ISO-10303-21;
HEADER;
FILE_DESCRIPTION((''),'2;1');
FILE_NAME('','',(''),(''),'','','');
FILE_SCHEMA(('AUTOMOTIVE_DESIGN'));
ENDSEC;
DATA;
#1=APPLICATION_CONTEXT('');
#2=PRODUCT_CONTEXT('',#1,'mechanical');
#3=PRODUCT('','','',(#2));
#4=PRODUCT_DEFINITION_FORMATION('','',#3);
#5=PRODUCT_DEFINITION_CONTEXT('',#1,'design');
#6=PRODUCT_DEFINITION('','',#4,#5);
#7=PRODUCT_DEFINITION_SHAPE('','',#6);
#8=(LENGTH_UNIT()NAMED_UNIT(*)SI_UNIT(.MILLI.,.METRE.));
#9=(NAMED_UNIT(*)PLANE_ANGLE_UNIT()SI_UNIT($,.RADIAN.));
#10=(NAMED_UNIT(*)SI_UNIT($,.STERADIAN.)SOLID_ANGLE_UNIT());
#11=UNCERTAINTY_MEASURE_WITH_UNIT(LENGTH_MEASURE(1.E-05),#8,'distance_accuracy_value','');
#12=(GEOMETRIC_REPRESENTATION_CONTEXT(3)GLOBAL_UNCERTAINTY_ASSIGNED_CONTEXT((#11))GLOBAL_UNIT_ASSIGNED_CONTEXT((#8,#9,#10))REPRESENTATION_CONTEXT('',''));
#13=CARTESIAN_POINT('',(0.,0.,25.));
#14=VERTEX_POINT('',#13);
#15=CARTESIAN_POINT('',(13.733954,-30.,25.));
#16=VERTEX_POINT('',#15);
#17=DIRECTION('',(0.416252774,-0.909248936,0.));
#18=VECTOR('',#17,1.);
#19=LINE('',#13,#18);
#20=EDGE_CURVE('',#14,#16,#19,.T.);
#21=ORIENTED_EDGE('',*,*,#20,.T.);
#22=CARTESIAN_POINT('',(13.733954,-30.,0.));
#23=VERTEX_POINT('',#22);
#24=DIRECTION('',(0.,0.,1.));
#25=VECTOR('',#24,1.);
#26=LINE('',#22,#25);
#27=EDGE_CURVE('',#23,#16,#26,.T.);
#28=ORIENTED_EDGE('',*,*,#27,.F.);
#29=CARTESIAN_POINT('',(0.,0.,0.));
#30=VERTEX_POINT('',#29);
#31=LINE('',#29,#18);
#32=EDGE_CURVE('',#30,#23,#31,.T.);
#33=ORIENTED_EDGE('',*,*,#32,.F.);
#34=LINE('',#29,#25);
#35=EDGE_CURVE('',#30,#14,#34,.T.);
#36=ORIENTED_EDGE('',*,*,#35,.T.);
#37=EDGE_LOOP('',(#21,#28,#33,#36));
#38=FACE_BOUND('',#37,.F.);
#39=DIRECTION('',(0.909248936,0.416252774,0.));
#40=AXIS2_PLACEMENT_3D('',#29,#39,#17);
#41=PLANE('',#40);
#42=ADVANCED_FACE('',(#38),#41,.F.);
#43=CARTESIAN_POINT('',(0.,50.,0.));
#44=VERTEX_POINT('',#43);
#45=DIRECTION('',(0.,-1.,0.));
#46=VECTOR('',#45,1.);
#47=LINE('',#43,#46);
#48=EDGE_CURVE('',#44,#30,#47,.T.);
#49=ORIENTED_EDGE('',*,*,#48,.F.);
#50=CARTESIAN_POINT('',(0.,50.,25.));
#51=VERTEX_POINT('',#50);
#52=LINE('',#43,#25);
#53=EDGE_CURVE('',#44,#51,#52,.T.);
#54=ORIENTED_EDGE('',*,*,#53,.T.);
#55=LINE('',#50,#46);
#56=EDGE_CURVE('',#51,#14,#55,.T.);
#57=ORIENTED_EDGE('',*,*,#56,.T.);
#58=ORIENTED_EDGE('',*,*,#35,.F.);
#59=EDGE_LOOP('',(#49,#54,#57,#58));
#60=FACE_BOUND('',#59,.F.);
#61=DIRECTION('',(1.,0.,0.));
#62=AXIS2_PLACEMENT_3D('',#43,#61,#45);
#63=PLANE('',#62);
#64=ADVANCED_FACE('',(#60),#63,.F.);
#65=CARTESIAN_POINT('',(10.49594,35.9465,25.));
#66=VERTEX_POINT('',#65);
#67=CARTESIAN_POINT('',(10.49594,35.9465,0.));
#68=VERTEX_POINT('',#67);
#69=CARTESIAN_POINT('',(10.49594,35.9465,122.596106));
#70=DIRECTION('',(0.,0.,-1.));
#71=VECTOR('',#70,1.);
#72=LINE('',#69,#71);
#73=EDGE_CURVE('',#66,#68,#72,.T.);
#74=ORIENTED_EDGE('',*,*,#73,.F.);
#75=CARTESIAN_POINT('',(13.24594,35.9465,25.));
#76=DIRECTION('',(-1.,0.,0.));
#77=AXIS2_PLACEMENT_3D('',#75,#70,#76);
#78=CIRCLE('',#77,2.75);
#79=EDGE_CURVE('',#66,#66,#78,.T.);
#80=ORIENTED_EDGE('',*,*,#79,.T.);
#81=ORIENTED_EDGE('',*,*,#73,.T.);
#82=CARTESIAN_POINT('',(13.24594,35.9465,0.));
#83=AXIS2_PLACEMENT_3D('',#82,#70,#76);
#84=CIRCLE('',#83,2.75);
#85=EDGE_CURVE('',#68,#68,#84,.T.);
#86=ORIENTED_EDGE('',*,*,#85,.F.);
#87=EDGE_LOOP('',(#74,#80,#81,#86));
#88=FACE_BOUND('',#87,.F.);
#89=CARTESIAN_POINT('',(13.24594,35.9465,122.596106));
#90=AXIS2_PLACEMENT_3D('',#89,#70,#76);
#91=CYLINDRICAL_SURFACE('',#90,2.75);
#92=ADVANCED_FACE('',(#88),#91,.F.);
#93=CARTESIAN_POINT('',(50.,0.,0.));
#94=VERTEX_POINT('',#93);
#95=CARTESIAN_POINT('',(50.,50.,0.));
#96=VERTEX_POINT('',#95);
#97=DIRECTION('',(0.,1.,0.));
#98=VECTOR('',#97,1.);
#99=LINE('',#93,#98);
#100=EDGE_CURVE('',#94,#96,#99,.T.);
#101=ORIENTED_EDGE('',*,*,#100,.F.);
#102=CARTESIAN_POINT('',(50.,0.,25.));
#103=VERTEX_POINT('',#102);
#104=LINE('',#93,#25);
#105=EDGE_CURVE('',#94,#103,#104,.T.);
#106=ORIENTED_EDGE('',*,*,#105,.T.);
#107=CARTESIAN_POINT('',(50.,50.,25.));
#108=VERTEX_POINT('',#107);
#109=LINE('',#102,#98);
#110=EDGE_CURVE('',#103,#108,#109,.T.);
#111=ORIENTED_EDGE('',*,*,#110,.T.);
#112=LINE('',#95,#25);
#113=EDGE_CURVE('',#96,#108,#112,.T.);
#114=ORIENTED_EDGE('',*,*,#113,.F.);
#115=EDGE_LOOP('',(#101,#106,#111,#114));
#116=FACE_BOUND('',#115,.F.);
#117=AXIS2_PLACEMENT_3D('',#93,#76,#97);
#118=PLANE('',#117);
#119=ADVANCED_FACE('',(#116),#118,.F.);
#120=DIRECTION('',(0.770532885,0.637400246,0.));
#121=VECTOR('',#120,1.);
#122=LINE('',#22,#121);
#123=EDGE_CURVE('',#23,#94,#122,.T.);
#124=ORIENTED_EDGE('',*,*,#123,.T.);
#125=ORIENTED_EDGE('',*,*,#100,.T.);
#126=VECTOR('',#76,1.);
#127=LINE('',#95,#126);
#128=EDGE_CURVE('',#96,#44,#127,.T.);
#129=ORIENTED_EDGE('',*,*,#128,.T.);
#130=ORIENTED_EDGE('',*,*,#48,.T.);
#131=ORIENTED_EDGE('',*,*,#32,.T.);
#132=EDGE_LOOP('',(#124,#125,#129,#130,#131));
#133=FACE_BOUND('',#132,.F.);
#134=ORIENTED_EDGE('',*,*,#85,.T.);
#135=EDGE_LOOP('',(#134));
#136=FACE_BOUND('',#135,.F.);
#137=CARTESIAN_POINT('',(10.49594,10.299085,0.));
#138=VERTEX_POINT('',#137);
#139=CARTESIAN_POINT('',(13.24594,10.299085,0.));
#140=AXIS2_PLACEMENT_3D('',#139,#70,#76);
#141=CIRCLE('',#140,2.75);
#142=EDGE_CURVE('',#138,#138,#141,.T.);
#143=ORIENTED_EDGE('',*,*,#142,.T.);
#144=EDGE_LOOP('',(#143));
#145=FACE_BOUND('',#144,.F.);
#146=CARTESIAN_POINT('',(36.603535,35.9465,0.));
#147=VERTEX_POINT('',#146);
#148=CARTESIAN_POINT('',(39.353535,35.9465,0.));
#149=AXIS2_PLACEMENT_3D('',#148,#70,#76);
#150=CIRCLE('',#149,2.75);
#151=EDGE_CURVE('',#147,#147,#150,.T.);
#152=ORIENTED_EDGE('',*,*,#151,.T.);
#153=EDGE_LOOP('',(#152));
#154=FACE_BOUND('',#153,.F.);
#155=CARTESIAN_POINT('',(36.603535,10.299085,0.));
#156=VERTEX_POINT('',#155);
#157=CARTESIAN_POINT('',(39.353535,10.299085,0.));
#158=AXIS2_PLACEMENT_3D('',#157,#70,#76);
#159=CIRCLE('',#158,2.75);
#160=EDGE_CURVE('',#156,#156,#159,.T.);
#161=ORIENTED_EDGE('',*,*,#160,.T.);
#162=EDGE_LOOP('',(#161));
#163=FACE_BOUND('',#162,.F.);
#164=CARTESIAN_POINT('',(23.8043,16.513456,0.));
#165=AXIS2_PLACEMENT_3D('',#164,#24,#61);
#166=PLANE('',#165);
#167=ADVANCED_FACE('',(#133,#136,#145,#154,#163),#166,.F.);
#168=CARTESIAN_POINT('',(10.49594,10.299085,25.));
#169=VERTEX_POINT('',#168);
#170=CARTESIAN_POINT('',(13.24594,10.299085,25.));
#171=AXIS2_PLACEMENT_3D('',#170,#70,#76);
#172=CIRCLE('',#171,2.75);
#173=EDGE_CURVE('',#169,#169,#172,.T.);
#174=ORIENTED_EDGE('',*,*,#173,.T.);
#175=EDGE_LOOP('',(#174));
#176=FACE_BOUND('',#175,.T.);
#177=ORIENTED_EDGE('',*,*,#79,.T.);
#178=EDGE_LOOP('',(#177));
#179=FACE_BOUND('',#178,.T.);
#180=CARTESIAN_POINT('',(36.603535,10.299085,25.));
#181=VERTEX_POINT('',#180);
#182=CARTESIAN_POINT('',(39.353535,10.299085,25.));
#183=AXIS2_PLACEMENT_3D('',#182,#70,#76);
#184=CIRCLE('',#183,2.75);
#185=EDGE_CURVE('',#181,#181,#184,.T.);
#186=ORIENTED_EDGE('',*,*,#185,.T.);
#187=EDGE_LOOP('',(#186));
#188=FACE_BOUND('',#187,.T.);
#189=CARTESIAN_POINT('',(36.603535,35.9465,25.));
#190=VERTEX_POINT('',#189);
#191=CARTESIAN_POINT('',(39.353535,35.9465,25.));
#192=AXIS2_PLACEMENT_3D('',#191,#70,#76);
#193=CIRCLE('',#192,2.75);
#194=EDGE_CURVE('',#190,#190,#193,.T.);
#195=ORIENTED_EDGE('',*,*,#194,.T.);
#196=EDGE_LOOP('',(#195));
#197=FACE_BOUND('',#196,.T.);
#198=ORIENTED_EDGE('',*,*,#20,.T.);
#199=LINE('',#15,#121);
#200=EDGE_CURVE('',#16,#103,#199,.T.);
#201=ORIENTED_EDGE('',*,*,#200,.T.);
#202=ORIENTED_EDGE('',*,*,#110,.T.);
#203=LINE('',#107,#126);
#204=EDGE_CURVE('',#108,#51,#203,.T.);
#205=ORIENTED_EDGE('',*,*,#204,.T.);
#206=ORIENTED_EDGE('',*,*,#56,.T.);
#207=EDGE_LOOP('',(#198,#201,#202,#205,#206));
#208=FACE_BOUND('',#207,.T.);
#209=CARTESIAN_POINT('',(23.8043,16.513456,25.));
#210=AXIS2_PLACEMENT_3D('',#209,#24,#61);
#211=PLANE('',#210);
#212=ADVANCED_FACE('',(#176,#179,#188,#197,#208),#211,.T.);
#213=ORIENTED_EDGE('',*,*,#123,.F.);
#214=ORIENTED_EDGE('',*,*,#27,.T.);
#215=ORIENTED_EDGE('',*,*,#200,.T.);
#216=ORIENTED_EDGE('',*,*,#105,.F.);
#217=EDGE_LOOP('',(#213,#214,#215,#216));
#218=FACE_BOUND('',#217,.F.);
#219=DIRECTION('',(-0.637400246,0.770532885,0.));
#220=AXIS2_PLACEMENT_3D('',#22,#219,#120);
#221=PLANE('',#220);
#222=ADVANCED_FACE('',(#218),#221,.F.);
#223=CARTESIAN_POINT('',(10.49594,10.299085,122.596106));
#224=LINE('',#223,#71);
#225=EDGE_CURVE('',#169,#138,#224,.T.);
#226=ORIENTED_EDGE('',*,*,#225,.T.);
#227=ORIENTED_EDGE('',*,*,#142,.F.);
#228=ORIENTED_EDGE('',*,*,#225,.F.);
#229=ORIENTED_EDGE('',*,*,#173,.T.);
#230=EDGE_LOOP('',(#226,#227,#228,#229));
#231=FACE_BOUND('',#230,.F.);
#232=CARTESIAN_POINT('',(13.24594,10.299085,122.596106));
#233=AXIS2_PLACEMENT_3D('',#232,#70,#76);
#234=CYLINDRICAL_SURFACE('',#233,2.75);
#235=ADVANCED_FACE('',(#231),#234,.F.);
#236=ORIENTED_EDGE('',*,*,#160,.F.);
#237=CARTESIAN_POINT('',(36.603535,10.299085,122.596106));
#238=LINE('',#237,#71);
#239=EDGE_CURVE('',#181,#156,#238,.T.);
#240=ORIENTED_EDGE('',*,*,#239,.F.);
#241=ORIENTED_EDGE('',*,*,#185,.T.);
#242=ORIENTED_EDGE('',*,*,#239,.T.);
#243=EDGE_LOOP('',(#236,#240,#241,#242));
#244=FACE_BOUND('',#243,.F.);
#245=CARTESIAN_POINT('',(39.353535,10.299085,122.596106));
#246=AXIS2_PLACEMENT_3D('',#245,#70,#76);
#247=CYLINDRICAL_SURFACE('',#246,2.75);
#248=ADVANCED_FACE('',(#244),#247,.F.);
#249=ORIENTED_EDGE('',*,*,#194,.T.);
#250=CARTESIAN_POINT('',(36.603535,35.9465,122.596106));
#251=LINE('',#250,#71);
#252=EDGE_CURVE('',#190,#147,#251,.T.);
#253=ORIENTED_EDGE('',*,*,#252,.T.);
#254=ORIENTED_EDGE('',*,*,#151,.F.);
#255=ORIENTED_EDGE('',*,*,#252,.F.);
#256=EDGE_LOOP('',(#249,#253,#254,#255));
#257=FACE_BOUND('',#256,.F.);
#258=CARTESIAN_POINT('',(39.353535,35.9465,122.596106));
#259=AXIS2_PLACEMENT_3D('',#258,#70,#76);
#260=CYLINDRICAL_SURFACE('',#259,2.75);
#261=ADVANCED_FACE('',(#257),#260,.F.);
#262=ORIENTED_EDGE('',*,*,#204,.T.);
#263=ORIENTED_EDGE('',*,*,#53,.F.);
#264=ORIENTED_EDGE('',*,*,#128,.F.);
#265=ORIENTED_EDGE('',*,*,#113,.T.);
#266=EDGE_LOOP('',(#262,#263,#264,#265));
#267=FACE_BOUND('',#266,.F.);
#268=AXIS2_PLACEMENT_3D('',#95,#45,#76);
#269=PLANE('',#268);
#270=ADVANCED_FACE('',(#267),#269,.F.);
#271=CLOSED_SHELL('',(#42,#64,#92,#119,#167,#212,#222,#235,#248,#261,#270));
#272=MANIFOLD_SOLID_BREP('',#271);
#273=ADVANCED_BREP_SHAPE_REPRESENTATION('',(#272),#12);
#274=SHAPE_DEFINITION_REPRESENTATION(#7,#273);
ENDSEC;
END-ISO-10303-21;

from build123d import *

# Parameters (mm, degrees)
F1_DEPTH = 25
F3_D     = 5.5


with BuildPart() as f1:
    # F0 (on Top) → F1 (new body)
    with BuildSketch(Plane.XY):
        Polygon((0, 50), (0, 0), (13.7339541699, -30), (50, 0), (50, 50), align=None)
    extrude(amount=F1_DEPTH)

    # F3 (through all)
    with Locations(Plane.XY.offset(25)):
        with Locations((13.2459402084, 35.9464995563), (39.3535345793, 35.9464995563), (39.3535345793, 10.2990847081), (13.2459402084, 10.2990847081)):
            Hole(F3_D / 2)


solid = f1.part
